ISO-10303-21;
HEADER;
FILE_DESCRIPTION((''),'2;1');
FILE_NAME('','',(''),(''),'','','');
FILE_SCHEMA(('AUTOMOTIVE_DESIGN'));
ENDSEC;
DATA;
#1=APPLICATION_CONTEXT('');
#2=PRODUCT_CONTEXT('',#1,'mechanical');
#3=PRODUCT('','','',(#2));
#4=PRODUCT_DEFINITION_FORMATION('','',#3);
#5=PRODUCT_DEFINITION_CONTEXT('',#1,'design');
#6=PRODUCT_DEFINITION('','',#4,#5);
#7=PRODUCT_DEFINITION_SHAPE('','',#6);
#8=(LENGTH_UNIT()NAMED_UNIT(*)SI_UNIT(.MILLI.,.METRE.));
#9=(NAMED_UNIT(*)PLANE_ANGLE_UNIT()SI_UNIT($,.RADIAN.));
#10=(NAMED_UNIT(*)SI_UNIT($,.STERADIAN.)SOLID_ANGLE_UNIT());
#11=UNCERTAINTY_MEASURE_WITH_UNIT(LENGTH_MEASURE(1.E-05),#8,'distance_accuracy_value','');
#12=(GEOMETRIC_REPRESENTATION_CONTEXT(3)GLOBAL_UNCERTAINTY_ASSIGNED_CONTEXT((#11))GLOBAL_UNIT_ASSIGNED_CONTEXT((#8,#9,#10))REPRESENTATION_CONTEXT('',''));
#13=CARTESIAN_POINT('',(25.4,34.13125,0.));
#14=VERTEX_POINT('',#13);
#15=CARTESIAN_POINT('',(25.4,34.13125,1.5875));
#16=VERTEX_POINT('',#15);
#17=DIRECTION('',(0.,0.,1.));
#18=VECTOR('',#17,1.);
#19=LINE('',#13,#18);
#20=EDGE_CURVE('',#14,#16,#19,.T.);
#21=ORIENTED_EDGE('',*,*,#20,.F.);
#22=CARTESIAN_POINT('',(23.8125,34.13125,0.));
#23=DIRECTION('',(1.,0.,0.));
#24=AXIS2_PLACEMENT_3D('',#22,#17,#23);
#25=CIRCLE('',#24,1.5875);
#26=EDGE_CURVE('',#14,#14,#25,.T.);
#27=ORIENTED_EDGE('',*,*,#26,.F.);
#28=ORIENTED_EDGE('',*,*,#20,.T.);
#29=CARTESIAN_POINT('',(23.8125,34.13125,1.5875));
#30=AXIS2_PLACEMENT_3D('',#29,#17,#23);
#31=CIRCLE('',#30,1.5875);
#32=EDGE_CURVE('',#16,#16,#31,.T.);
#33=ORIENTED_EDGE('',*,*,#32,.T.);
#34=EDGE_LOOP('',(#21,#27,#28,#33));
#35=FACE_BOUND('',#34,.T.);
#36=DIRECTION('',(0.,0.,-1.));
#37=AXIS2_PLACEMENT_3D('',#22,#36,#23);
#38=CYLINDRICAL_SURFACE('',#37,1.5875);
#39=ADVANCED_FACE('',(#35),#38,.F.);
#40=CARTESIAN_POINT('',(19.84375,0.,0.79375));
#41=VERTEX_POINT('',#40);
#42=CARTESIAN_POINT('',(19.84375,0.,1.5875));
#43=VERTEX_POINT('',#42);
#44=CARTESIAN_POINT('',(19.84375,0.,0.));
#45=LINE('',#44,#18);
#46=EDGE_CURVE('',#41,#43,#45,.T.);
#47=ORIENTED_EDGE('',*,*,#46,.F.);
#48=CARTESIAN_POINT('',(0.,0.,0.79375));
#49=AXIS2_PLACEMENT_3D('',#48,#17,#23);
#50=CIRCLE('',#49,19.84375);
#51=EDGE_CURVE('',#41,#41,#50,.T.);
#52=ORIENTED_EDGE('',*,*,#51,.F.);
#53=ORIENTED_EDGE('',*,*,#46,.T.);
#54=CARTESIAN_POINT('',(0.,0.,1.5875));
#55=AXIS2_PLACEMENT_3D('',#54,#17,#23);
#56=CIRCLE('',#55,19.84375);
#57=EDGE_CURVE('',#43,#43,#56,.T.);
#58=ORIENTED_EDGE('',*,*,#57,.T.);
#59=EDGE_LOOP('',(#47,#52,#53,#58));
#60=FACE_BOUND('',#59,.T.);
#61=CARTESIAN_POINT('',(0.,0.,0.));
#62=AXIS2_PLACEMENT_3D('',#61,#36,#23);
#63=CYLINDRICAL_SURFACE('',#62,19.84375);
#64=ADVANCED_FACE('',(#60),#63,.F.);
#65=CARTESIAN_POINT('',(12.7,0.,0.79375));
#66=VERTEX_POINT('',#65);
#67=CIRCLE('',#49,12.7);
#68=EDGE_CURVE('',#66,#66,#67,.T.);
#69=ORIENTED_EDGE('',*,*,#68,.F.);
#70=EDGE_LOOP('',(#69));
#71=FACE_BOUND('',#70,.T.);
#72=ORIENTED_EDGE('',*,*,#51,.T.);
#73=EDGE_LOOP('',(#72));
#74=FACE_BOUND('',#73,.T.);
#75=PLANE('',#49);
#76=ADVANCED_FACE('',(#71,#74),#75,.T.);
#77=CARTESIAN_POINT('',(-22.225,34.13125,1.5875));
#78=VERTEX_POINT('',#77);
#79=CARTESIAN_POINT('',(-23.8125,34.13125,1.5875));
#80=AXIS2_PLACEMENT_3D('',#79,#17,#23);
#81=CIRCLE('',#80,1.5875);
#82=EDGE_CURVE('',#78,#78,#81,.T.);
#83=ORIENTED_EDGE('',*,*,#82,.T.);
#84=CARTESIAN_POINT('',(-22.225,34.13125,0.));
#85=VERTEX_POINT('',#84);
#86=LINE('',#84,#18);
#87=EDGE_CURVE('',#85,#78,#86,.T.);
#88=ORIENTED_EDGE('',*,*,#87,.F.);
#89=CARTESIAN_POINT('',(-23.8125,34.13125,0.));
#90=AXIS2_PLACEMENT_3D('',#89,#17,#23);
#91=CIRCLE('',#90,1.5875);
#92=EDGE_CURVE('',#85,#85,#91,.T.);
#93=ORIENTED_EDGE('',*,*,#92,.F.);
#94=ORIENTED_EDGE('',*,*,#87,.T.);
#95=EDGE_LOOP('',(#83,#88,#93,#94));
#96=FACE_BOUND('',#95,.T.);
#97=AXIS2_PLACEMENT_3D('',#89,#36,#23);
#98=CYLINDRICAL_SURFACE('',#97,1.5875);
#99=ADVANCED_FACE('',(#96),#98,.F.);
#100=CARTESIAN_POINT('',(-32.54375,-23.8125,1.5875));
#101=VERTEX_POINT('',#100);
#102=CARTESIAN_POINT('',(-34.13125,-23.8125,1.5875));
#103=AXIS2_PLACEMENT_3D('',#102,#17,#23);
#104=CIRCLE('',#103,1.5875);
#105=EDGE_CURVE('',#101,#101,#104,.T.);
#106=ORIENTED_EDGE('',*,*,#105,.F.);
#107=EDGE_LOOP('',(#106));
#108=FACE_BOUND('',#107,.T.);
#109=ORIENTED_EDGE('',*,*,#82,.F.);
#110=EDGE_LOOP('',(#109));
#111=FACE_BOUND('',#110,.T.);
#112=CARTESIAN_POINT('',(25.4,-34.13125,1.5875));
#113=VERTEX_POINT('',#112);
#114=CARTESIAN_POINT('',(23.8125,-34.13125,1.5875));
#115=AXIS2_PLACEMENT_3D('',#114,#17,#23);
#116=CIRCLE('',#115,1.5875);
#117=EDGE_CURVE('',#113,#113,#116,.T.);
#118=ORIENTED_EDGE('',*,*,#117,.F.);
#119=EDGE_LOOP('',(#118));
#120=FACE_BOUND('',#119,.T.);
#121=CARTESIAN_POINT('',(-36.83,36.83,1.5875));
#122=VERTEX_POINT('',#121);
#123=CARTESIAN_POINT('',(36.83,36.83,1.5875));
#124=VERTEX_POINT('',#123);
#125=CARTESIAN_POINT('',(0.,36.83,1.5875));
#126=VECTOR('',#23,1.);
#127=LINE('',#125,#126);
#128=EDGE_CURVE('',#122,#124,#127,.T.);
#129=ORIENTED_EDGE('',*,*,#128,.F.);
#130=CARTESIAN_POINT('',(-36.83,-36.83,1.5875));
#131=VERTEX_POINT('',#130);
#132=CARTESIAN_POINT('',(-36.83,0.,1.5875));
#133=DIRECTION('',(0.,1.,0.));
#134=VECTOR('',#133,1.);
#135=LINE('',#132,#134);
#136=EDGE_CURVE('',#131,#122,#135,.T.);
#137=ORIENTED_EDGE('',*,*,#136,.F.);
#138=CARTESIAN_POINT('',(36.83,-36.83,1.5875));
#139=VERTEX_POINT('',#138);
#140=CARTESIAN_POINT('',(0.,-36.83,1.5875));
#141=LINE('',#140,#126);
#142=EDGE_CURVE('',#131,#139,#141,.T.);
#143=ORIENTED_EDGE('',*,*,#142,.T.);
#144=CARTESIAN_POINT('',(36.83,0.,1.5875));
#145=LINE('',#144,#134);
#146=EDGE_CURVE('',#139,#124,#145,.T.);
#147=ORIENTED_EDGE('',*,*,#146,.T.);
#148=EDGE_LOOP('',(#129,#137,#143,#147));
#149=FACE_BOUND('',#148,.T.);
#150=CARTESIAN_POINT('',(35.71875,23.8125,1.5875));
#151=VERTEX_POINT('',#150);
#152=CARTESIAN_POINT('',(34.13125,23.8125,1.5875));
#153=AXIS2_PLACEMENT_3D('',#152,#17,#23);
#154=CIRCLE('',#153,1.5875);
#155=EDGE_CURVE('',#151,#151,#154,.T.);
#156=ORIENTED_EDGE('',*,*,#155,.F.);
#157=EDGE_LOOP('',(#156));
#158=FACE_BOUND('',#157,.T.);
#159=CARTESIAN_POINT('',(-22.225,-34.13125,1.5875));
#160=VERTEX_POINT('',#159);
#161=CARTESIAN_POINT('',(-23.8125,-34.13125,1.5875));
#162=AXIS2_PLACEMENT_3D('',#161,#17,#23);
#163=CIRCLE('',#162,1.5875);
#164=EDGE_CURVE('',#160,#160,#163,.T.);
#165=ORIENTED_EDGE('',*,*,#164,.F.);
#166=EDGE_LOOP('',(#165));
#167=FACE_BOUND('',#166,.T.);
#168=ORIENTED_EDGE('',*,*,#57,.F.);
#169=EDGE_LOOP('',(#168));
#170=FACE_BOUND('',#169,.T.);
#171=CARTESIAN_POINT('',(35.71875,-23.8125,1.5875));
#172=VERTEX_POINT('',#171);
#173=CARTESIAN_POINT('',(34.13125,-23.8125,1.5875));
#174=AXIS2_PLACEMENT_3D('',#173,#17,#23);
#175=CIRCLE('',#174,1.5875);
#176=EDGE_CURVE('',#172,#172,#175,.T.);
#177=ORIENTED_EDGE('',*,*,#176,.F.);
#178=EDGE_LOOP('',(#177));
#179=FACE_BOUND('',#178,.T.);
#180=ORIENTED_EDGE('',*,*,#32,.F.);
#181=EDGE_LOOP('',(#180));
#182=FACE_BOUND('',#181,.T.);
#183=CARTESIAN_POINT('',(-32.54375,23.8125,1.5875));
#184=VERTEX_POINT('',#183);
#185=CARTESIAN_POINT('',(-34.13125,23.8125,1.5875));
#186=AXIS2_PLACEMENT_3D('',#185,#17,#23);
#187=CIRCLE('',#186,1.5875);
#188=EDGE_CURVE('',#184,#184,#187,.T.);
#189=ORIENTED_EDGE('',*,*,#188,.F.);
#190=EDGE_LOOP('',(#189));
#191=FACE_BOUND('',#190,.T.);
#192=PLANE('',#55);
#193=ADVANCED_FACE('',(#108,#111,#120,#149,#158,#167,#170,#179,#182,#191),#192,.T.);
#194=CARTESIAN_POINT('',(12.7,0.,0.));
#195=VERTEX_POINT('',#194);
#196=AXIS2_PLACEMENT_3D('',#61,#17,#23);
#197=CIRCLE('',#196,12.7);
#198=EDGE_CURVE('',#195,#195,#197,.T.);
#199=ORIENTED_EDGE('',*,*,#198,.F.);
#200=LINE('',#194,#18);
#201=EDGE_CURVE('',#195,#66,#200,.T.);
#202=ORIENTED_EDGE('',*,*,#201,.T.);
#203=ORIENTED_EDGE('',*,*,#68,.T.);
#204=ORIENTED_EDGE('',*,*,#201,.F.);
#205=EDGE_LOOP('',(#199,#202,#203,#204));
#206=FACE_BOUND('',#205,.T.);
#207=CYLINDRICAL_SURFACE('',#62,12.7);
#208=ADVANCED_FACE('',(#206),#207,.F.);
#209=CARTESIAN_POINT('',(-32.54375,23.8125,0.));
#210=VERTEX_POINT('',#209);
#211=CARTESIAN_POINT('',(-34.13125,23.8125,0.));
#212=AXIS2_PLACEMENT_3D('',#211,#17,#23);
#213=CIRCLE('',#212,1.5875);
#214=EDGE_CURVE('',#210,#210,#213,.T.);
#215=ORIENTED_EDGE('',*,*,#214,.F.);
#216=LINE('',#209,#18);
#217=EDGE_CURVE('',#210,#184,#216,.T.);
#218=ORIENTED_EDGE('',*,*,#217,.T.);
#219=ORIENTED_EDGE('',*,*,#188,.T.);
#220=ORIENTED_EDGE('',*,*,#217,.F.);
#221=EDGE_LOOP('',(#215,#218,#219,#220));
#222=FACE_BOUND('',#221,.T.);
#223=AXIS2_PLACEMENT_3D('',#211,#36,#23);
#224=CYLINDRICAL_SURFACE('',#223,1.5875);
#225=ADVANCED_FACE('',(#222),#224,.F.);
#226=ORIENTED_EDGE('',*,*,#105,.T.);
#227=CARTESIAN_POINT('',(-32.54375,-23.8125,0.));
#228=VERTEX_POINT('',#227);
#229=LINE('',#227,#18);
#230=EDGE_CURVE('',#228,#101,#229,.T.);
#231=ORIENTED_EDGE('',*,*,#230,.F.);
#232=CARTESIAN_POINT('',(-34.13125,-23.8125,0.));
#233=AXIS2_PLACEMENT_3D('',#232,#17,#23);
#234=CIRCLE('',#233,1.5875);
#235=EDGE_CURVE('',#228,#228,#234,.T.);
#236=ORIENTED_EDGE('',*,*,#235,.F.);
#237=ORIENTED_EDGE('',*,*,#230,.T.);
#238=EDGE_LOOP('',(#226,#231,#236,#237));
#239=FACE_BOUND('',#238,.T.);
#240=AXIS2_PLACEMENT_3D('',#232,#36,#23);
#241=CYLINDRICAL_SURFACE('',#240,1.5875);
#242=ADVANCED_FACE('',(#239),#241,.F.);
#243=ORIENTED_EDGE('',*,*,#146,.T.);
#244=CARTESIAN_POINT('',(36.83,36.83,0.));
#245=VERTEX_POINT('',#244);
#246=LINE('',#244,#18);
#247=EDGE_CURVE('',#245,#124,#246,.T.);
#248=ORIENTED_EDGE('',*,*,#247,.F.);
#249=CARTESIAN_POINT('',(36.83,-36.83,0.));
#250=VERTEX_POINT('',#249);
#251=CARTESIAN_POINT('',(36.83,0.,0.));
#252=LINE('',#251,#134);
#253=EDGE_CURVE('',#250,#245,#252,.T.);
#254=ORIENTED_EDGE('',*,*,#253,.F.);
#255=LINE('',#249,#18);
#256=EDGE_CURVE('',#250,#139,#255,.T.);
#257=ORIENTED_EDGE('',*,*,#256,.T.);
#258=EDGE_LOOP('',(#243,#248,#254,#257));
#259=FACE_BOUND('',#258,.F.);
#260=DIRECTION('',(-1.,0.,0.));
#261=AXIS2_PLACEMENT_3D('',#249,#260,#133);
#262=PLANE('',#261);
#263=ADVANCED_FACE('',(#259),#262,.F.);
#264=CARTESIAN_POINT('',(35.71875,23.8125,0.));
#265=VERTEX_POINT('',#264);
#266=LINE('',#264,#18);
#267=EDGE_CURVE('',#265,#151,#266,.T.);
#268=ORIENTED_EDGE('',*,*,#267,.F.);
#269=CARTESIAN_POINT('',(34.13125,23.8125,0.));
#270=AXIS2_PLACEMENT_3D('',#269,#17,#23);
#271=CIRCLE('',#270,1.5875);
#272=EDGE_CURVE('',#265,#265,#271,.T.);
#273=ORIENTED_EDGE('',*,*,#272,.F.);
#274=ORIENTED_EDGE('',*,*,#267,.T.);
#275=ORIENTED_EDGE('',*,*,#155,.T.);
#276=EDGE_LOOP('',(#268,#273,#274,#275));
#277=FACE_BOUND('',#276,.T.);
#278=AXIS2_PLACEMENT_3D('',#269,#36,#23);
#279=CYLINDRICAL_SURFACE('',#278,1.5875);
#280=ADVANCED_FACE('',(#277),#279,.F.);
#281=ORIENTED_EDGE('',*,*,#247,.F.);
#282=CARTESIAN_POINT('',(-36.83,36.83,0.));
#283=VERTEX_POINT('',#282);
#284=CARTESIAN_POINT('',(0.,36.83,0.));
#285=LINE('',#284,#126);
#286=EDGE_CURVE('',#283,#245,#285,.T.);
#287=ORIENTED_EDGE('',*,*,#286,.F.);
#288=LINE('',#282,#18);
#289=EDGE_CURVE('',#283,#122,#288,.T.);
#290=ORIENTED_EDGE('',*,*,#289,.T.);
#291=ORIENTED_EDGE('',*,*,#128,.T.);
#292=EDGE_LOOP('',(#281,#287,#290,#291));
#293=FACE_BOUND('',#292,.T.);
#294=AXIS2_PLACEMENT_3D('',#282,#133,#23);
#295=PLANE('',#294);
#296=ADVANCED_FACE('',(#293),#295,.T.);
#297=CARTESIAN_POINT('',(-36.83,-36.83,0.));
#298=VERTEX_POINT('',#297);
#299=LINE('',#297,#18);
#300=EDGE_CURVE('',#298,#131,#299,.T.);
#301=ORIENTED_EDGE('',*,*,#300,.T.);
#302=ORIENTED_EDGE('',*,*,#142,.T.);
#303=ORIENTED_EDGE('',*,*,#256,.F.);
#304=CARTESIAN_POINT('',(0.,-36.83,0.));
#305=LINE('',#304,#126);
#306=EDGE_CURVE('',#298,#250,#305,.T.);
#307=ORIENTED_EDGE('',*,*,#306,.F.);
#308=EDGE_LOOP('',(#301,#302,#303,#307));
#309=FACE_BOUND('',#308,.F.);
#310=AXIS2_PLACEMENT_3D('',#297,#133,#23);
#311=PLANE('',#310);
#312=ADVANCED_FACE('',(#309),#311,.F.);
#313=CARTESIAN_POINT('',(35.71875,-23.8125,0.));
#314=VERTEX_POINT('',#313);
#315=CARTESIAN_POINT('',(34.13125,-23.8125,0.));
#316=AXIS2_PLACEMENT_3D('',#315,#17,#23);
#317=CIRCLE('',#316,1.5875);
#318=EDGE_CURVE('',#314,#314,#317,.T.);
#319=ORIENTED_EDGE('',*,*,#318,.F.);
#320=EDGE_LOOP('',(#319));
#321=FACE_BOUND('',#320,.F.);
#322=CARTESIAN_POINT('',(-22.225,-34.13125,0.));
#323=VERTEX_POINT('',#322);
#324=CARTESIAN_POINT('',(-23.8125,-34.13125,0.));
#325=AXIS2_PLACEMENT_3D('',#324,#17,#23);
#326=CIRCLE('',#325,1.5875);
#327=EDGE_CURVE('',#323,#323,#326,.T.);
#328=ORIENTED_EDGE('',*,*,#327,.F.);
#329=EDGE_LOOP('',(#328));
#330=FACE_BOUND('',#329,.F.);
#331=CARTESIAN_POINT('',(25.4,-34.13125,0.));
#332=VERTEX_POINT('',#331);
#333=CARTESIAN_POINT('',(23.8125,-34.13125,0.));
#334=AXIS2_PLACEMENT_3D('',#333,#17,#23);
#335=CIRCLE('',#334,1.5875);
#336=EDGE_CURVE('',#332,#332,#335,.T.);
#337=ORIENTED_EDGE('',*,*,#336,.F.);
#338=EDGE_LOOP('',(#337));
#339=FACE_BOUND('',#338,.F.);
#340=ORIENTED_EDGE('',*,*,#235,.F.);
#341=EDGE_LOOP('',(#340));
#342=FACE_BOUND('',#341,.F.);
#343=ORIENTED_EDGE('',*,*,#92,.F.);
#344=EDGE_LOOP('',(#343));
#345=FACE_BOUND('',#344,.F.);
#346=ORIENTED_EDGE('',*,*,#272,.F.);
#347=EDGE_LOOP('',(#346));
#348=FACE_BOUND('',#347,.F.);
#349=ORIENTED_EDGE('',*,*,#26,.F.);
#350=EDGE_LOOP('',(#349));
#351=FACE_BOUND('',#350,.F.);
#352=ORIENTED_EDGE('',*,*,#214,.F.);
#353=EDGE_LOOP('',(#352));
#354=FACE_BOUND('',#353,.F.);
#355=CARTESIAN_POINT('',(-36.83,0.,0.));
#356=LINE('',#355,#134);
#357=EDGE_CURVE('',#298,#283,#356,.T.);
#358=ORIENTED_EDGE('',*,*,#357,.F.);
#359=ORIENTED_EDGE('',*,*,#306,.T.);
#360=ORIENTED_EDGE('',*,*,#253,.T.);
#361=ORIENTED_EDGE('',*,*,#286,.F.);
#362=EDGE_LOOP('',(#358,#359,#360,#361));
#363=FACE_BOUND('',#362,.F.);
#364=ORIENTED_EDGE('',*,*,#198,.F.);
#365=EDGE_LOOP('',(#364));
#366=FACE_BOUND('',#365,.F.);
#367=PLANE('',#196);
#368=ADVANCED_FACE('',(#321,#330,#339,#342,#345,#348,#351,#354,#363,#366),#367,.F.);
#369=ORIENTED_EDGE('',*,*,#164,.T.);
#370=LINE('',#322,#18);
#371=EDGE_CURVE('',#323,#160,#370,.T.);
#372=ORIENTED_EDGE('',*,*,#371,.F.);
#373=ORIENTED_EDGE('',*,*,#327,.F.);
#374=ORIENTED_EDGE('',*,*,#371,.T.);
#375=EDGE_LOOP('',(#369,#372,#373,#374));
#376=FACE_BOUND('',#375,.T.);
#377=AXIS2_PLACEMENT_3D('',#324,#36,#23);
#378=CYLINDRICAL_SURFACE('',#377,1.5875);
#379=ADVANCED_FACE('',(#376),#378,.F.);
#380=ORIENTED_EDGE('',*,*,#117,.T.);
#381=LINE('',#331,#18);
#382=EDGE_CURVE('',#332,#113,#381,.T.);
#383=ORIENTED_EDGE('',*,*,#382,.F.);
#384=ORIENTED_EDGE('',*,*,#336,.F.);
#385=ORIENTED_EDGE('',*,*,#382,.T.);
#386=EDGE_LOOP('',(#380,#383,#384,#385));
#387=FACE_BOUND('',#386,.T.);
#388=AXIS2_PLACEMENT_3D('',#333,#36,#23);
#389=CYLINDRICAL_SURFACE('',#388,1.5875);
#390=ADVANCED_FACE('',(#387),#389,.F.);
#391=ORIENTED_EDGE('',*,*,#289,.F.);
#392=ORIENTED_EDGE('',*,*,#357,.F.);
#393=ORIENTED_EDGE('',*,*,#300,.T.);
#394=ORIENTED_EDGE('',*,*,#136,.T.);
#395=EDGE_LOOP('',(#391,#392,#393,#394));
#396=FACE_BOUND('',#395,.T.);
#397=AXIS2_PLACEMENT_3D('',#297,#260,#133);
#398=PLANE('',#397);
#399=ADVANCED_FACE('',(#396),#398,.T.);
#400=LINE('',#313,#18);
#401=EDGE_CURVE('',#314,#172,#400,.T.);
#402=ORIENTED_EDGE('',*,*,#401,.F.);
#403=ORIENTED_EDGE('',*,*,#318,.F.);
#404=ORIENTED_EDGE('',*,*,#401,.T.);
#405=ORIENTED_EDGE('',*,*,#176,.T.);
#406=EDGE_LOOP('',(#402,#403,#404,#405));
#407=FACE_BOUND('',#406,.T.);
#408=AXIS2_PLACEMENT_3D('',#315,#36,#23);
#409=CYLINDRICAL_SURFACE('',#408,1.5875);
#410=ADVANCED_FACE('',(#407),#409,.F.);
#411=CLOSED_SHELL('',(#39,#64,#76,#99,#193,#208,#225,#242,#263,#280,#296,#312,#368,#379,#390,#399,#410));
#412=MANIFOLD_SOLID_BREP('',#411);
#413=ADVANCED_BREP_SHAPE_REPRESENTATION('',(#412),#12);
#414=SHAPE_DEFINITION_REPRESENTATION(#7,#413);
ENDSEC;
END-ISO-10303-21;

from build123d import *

# Parameters (mm, degrees)
F0_R     = 19.84375
F0_R_2   = 12.7
F1_DEPTH = 0.79375
F0_W     = 73.66
F0_H     = 73.66
F0_R_3   = 1.5875
F2_DEPTH = 1.5875


with BuildPart() as f1:
    # F0 (on Top) → F1 (new body)
    with BuildSketch(Plane.XY):
        Circle(F0_R)
        Circle(F0_R_2, mode=Mode.SUBTRACT)
    extrude(amount=F1_DEPTH)

    # F0 (on Top) → F2 (join)
    with BuildSketch(Plane.XY):
        Rectangle(F0_W, F0_H)
        with Locations((-23.8125, -34.13125)):
            Circle(F0_R_3, mode=Mode.SUBTRACT)
        with Locations((-34.13125, -23.8125)):
            Circle(F0_R_3, mode=Mode.SUBTRACT)
        Circle(F0_R, mode=Mode.SUBTRACT)
        with Locations((23.8125, -34.13125)):
            Circle(F0_R_3, mode=Mode.SUBTRACT)
        with Locations((34.13125, -23.8125)):
            Circle(F0_R_3, mode=Mode.SUBTRACT)
        with Locations((-34.13125, 23.8125)):
            Circle(F0_R_3, mode=Mode.SUBTRACT)
        with Locations((-23.8125, 34.13125)):
            Circle(F0_R_3, mode=Mode.SUBTRACT)
        with Locations((34.13125, 23.8125)):
            Circle(F0_R_3, mode=Mode.SUBTRACT)
        with Locations((23.8125, 34.13125)):
            Circle(F0_R_3, mode=Mode.SUBTRACT)
    extrude(amount=F2_DEPTH)


solid = f1.part
